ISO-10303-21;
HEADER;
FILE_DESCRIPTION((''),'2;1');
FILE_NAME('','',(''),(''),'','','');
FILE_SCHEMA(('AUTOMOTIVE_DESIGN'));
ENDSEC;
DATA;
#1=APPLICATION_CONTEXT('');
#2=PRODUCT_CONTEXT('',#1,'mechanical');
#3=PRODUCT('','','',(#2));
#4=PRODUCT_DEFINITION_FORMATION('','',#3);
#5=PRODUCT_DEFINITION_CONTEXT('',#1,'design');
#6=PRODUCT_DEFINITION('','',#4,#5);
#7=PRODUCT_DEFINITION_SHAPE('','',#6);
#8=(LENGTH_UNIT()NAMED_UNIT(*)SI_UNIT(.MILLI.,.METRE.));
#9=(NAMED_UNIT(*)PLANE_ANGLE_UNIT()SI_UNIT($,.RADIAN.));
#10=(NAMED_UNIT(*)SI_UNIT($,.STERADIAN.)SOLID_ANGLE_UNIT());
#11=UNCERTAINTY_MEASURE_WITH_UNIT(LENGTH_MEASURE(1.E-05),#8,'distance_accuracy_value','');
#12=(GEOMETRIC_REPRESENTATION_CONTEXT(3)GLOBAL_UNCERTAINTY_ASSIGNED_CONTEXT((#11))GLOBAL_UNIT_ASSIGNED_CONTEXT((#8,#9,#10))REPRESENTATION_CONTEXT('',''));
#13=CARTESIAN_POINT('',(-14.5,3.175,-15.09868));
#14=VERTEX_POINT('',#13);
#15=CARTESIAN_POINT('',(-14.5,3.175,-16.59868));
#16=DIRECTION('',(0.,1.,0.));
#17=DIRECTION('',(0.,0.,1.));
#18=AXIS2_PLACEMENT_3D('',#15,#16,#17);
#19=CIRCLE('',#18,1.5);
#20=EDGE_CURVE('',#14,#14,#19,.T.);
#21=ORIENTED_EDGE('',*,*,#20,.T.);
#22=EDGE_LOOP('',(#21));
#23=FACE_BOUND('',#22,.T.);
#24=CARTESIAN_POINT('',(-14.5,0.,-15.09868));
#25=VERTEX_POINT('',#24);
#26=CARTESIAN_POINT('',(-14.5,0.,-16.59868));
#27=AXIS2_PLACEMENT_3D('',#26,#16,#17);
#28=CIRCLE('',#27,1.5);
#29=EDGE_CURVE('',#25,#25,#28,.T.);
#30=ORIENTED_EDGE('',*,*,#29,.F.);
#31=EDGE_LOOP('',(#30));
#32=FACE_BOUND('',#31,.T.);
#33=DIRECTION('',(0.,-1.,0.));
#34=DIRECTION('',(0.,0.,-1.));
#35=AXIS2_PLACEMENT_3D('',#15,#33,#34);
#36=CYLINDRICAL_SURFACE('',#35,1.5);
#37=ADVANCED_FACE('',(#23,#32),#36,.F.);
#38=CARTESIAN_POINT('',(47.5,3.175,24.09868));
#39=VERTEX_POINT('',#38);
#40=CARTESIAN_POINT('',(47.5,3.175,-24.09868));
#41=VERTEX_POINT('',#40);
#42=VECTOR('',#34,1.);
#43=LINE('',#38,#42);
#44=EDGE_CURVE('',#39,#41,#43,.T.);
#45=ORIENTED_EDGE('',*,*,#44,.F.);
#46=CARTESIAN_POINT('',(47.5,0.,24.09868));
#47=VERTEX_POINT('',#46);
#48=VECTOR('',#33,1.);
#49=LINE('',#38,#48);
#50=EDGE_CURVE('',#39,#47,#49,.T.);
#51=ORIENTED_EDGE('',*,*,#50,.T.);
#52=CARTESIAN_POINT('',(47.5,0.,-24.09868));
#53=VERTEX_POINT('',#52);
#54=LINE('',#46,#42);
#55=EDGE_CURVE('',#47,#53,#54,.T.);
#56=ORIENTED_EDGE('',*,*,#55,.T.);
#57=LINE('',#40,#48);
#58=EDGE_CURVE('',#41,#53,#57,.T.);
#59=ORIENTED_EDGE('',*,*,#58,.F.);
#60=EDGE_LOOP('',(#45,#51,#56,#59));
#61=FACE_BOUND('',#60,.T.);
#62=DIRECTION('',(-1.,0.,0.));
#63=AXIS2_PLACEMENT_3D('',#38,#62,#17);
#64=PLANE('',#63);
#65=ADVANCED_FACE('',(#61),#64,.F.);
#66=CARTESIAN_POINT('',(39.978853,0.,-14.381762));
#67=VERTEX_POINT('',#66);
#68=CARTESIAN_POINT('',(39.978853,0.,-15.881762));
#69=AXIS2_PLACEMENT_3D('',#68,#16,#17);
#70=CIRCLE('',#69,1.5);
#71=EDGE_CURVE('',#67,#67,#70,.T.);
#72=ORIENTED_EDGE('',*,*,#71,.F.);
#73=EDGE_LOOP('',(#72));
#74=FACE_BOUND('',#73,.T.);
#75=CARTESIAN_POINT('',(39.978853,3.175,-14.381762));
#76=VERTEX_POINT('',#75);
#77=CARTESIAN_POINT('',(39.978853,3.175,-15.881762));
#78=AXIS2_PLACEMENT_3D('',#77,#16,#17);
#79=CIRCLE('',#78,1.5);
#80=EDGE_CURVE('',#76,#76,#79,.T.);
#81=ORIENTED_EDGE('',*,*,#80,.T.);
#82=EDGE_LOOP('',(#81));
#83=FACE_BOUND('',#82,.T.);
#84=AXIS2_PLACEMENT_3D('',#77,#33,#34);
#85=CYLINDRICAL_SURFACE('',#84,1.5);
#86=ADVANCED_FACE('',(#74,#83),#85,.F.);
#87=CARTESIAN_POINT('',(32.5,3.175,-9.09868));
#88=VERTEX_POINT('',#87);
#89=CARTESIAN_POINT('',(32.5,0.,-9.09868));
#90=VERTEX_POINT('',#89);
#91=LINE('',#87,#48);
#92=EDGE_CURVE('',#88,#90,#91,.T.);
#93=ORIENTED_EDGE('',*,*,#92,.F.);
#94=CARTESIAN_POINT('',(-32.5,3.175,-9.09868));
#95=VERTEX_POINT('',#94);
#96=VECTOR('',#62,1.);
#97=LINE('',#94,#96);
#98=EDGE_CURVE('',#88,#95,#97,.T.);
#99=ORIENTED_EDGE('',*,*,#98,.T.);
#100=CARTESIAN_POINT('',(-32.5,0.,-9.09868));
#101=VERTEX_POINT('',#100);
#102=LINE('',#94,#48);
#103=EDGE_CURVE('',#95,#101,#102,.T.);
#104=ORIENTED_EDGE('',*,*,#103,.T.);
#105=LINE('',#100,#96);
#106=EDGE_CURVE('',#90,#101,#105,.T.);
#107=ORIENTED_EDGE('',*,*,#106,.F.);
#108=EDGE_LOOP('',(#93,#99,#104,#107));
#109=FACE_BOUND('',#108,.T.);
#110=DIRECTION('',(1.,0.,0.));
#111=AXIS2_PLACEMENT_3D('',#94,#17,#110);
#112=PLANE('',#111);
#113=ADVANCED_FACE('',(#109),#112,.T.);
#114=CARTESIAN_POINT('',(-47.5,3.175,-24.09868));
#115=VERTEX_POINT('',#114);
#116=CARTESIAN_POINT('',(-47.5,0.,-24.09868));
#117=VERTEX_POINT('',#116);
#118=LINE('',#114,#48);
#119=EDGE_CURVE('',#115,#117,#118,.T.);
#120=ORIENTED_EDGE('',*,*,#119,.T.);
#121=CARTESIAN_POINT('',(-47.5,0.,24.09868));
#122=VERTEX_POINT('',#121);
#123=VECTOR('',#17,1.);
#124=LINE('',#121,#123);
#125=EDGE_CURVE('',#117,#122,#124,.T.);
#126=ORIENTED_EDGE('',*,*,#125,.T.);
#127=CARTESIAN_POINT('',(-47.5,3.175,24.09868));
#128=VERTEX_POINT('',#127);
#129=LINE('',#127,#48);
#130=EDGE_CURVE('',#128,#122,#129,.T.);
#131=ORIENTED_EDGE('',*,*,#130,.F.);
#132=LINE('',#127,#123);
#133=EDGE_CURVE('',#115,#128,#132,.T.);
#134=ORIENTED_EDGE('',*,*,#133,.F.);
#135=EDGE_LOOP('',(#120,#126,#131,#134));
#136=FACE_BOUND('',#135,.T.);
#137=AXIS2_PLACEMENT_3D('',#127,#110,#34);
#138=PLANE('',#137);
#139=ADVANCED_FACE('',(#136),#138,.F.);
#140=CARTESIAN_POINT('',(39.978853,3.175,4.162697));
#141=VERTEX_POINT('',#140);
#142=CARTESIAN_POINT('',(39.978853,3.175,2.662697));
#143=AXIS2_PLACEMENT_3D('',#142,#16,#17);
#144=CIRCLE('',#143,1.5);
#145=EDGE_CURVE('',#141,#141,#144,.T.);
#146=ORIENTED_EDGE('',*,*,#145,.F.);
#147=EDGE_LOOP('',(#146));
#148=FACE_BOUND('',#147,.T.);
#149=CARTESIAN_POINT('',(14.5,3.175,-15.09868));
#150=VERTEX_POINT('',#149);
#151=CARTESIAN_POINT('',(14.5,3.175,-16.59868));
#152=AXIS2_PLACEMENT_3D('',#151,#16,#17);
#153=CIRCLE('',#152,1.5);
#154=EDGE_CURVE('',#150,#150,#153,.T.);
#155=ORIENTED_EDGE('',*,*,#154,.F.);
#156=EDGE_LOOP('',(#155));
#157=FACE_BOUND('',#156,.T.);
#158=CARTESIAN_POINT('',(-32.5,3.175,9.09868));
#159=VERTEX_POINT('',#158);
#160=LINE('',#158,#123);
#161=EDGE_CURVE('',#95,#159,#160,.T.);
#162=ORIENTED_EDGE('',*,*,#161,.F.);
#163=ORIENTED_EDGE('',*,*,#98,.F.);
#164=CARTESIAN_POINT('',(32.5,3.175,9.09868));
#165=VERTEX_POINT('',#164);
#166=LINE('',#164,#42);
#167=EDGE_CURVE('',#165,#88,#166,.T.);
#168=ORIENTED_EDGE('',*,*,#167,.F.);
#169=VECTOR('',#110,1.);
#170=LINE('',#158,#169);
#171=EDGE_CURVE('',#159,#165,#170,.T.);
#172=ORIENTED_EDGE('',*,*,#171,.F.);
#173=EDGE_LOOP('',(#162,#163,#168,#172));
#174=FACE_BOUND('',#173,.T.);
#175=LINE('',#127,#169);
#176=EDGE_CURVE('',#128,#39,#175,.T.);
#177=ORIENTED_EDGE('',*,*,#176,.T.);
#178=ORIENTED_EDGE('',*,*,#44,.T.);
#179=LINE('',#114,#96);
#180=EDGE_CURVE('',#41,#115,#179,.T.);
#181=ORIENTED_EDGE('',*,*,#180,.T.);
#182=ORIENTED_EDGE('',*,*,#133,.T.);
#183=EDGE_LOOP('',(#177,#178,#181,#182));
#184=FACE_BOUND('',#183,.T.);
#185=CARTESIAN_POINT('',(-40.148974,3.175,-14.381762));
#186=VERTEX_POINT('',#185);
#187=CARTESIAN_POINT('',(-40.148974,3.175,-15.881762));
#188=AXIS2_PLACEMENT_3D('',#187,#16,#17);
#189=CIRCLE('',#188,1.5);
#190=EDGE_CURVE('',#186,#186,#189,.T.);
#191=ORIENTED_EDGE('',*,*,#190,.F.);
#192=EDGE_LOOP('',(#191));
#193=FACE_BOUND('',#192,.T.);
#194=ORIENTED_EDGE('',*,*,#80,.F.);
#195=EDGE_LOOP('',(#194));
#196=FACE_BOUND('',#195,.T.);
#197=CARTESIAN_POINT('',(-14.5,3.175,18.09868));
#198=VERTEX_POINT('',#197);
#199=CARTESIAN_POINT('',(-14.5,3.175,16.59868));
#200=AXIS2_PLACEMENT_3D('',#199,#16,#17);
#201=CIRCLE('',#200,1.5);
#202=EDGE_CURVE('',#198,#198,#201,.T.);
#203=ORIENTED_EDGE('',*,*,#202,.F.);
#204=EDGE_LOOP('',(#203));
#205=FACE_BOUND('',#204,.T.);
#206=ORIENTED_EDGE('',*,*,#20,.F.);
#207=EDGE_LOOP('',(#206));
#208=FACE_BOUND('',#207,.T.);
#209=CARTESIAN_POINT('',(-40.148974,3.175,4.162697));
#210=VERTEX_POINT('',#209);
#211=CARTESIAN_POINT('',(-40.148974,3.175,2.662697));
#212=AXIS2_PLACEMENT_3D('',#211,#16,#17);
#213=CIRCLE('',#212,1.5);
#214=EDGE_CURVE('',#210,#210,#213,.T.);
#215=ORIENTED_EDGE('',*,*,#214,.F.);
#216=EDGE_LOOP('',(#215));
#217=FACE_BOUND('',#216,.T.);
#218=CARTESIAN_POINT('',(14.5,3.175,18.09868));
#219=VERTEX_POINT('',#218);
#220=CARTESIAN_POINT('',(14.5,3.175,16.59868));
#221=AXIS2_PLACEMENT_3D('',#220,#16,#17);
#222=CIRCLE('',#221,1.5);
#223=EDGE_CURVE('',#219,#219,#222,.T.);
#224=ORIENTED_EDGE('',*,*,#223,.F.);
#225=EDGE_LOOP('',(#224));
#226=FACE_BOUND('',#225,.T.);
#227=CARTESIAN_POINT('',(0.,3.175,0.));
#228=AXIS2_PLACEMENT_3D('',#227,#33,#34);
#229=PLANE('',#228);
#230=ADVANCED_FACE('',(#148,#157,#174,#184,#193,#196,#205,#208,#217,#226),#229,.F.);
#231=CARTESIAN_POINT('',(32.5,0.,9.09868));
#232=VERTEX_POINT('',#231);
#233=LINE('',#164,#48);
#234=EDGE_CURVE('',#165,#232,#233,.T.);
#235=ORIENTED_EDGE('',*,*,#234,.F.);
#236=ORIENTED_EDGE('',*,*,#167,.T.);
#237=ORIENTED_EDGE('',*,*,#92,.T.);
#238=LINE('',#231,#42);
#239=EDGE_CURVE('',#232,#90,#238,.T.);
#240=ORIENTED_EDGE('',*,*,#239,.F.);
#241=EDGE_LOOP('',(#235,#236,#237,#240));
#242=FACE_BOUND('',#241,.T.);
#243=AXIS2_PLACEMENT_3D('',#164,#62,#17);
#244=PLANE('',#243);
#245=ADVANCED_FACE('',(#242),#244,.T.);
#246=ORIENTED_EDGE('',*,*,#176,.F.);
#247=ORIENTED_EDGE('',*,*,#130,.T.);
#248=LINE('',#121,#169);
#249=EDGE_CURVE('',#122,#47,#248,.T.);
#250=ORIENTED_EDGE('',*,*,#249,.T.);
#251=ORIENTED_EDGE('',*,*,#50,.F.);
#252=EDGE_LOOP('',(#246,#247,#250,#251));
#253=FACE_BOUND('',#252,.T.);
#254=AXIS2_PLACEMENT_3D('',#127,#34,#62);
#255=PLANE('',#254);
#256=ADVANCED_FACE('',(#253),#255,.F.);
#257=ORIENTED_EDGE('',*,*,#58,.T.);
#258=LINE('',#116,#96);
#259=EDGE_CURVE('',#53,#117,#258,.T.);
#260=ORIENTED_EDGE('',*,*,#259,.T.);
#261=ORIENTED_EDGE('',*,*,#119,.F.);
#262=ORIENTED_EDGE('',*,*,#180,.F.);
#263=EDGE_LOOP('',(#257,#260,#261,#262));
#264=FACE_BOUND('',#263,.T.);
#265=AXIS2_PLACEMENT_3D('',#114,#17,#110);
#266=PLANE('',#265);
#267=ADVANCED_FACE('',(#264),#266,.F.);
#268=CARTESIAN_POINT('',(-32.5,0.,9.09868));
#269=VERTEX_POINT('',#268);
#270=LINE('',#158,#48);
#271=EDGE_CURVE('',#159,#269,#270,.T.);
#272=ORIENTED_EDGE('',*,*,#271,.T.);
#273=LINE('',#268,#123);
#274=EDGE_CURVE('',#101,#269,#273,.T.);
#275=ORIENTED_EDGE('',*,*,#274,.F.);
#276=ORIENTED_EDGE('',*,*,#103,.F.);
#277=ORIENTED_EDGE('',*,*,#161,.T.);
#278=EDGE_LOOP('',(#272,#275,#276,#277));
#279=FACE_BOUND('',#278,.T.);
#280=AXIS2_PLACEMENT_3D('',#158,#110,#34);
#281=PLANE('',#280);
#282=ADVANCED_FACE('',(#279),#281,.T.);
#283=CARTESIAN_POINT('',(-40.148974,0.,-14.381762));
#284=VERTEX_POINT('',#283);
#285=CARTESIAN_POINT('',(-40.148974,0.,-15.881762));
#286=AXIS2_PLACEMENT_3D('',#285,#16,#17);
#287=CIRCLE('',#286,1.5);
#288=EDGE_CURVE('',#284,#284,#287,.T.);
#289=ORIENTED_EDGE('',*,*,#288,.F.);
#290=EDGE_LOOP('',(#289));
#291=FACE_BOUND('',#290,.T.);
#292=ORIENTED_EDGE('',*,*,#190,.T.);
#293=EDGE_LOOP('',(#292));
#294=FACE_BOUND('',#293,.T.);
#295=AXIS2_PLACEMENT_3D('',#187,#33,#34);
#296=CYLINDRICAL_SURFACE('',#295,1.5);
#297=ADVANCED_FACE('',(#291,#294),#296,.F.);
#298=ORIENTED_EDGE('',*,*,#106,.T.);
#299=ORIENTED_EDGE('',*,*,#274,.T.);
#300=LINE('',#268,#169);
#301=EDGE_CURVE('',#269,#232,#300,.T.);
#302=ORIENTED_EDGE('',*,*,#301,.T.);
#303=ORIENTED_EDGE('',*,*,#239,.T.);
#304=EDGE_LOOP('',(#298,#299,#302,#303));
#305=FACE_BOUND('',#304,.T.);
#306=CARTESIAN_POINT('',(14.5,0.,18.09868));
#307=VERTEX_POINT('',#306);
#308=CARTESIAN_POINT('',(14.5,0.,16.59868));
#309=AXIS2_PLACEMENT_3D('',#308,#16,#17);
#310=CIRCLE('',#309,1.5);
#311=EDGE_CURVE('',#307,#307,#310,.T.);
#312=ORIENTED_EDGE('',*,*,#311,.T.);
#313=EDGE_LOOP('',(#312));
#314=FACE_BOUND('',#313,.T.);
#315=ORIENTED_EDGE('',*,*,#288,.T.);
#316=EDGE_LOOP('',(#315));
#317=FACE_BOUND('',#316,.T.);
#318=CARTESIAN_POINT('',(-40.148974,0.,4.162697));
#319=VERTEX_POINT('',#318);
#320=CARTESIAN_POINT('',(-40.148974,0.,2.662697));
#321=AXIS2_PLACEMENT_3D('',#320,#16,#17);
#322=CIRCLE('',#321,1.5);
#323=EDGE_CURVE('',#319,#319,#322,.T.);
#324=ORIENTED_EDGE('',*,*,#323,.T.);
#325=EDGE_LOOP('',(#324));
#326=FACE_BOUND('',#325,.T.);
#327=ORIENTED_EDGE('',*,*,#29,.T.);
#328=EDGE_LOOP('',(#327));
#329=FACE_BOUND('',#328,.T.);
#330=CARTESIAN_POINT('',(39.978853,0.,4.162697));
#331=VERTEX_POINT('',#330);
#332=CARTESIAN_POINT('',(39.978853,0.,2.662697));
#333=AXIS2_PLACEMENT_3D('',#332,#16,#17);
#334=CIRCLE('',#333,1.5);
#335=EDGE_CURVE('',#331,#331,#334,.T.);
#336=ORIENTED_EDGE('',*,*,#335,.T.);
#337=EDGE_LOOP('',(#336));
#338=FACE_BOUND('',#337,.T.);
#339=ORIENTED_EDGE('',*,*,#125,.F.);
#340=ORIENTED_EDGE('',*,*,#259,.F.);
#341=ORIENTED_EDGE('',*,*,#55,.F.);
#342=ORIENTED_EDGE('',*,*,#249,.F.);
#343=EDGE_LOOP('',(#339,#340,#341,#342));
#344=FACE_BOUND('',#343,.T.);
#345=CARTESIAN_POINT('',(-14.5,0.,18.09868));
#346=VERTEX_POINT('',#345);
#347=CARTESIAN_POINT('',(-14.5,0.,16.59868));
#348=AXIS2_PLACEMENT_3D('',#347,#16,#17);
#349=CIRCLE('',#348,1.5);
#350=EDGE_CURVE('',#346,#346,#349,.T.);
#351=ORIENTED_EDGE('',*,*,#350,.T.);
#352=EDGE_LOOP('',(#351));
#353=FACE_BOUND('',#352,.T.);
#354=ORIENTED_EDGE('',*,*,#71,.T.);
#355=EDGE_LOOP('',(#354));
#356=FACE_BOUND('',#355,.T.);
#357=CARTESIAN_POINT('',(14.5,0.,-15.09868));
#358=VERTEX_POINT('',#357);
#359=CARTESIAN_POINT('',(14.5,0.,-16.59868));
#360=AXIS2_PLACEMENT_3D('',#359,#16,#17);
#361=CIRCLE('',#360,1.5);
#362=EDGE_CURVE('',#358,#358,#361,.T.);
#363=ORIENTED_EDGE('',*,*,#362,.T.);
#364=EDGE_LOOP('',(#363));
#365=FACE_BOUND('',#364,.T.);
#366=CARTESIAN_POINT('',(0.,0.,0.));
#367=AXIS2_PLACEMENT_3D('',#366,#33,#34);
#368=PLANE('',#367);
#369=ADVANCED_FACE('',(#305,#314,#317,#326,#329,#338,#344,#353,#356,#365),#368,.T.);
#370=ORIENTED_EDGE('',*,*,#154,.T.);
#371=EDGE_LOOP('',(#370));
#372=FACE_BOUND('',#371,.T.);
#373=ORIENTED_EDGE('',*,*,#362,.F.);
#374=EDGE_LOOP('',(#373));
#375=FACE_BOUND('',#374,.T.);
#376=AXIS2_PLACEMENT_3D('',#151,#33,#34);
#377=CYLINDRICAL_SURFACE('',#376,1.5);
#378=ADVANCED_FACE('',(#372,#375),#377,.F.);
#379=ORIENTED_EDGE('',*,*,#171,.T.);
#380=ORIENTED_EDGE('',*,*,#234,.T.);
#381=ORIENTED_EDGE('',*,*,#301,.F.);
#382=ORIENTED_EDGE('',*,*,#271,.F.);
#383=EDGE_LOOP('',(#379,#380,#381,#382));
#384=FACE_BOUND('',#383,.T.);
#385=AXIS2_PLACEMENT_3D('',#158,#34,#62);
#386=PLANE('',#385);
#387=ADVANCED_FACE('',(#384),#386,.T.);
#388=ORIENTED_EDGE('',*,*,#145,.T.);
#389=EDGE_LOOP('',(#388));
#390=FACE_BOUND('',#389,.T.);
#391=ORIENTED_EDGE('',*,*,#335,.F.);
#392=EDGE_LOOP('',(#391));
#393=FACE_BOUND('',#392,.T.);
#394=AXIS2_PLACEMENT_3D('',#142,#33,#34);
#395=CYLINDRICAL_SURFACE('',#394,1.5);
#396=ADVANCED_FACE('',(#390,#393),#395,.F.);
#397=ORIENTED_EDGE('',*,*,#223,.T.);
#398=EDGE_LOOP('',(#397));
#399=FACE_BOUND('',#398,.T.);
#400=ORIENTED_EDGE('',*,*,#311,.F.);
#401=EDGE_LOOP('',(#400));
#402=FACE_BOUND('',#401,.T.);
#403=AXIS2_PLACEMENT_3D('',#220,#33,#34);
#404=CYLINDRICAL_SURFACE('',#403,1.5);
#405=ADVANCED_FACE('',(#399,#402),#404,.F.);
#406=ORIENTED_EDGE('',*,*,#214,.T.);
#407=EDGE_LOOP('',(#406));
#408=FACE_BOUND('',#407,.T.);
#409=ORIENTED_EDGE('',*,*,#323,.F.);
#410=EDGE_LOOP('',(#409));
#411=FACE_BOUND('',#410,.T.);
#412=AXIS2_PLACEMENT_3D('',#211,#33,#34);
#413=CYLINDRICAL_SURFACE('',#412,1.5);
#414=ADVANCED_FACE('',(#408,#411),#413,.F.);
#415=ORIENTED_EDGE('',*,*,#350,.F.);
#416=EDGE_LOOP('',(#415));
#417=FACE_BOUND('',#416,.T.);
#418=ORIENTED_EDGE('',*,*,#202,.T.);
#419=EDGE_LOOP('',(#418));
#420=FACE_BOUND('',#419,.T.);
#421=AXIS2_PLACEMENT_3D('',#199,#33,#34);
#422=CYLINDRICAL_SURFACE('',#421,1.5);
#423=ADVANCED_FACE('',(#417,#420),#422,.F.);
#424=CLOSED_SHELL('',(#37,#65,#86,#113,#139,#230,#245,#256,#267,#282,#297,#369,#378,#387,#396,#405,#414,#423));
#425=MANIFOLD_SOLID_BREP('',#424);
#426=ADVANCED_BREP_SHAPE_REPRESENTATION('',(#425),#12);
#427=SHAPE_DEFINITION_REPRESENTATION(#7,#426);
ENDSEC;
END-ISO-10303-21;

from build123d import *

# Parameters (mm, degrees)
SKETCH2_W           = 94.999999992
SKETCH2_H           = 48.197360298
SKETCH2_R           = 1.5
SKETCH2_W_2         = 64.999999992
SKETCH2_H_2         = 18.197360298
BOSS_EXTRUDE2_DEPTH = 3.175


with BuildPart() as part:
    # Sketch2 → Boss-Extrude2 (new body)
    with BuildSketch(Plane(origin=(0, 0, 0), x_dir=(1, 0, 0), z_dir=(0, 1, 0))):
        Rectangle(SKETCH2_W, SKETCH2_H)
        with Locations(Location((-14.499999996, 16.598680149, 0), (0, 0, 270))):
            Circle(SKETCH2_R, mode=Mode.SUBTRACT)
        with Locations(Location((14.499999996, 16.598680149, 0), (0, 0, 270))):
            Circle(SKETCH2_R, mode=Mode.SUBTRACT)
        with Locations(Location((-40.148974228, 15.881761887, 0), (0, 0, 270))):
            Circle(SKETCH2_R, mode=Mode.SUBTRACT)
        with Locations(Location((-40.148974228, -2.662696697, 0), (0, 0, 270))):
            Circle(SKETCH2_R, mode=Mode.SUBTRACT)
        with Locations(Location((39.978852734, 15.881761887, 0), (0, 0, 270))):
            Circle(SKETCH2_R, mode=Mode.SUBTRACT)
        with Locations(Location((39.978852734, -2.662696697, 0), (0, 0, 270))):
            Circle(SKETCH2_R, mode=Mode.SUBTRACT)
        with Locations(Location((-14.499999996, -16.598680149, 0), (0, 0, 270))):
            Circle(SKETCH2_R, mode=Mode.SUBTRACT)
        with Locations(Location((14.499999996, -16.598680149, 0), (0, 0, 270))):
            Circle(SKETCH2_R, mode=Mode.SUBTRACT)
        Rectangle(SKETCH2_W_2, SKETCH2_H_2, mode=Mode.SUBTRACT)
    extrude(amount=BOSS_EXTRUDE2_DEPTH)


solid = part.part
